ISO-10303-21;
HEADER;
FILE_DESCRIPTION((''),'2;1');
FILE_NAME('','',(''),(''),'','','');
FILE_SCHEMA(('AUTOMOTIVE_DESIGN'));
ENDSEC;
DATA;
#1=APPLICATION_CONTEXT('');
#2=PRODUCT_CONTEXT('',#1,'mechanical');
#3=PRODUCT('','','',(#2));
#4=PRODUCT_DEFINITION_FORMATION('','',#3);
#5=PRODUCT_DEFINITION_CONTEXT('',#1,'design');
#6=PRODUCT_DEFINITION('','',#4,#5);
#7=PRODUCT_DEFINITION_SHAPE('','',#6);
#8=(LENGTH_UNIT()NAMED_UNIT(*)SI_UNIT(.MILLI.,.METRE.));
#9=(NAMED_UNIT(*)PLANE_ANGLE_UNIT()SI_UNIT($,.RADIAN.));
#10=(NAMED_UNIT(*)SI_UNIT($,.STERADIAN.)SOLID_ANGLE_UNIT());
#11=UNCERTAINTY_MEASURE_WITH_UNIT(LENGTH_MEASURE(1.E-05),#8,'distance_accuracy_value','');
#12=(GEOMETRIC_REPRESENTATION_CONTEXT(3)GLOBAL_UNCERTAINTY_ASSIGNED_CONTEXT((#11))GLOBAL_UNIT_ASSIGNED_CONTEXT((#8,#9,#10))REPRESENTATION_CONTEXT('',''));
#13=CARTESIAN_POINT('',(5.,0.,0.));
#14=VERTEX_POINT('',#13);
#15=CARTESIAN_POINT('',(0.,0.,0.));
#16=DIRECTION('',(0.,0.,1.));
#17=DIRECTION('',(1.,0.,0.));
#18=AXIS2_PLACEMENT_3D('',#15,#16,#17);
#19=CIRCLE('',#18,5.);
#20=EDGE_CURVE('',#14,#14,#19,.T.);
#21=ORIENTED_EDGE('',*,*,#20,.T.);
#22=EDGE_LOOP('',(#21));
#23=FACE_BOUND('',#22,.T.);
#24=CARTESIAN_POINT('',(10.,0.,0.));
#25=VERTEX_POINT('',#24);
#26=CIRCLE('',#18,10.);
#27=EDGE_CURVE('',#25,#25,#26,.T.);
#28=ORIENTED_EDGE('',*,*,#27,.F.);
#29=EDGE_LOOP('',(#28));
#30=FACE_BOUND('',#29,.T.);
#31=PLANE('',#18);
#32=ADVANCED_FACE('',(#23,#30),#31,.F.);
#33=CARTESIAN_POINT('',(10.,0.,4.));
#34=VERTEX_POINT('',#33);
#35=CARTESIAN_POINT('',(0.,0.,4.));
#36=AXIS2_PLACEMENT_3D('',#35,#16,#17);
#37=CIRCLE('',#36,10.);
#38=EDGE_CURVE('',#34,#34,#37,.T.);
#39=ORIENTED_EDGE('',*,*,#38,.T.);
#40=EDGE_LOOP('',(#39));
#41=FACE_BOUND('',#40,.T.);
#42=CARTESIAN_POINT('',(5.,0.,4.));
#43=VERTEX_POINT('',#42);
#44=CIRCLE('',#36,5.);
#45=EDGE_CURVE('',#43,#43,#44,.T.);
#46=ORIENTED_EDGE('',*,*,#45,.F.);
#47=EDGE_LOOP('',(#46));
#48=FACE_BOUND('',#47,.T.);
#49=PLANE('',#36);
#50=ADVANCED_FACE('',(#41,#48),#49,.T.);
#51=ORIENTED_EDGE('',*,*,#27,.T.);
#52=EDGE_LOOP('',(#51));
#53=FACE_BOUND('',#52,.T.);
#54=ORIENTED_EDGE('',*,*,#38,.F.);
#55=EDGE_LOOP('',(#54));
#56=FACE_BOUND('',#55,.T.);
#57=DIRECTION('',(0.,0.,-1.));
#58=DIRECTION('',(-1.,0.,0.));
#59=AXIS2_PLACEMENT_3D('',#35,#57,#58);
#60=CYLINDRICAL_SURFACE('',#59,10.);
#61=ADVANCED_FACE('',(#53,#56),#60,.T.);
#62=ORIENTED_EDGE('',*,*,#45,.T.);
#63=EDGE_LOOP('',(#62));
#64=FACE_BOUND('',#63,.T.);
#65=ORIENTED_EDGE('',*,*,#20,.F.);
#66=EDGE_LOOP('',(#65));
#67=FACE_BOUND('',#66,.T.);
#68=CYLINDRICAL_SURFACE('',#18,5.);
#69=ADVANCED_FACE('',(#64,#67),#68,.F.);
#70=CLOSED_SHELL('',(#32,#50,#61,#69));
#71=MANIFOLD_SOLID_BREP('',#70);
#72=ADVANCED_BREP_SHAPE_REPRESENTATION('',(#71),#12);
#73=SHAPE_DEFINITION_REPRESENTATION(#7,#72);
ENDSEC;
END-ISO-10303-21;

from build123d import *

# Parameters (mm, degrees)
SKETCH1_R           = 10
BOSS_EXTRUDE1_DEPTH = 4
SKETCH2_R           = 5
CUT_EXTRUDE1_DEPTH  = 4


with BuildPart() as part:
    # Sketch1 → Boss-Extrude1 (new body)
    with BuildSketch(Plane.XY):
        Circle(SKETCH1_R)
    extrude(amount=BOSS_EXTRUDE1_DEPTH)

    # Sketch2 → Cut-Extrude1 (cut)
    with BuildSketch(Plane.XY.offset(4)):
        Circle(SKETCH2_R)
    extrude(amount=-CUT_EXTRUDE1_DEPTH, mode=Mode.SUBTRACT)


solid = part.part
